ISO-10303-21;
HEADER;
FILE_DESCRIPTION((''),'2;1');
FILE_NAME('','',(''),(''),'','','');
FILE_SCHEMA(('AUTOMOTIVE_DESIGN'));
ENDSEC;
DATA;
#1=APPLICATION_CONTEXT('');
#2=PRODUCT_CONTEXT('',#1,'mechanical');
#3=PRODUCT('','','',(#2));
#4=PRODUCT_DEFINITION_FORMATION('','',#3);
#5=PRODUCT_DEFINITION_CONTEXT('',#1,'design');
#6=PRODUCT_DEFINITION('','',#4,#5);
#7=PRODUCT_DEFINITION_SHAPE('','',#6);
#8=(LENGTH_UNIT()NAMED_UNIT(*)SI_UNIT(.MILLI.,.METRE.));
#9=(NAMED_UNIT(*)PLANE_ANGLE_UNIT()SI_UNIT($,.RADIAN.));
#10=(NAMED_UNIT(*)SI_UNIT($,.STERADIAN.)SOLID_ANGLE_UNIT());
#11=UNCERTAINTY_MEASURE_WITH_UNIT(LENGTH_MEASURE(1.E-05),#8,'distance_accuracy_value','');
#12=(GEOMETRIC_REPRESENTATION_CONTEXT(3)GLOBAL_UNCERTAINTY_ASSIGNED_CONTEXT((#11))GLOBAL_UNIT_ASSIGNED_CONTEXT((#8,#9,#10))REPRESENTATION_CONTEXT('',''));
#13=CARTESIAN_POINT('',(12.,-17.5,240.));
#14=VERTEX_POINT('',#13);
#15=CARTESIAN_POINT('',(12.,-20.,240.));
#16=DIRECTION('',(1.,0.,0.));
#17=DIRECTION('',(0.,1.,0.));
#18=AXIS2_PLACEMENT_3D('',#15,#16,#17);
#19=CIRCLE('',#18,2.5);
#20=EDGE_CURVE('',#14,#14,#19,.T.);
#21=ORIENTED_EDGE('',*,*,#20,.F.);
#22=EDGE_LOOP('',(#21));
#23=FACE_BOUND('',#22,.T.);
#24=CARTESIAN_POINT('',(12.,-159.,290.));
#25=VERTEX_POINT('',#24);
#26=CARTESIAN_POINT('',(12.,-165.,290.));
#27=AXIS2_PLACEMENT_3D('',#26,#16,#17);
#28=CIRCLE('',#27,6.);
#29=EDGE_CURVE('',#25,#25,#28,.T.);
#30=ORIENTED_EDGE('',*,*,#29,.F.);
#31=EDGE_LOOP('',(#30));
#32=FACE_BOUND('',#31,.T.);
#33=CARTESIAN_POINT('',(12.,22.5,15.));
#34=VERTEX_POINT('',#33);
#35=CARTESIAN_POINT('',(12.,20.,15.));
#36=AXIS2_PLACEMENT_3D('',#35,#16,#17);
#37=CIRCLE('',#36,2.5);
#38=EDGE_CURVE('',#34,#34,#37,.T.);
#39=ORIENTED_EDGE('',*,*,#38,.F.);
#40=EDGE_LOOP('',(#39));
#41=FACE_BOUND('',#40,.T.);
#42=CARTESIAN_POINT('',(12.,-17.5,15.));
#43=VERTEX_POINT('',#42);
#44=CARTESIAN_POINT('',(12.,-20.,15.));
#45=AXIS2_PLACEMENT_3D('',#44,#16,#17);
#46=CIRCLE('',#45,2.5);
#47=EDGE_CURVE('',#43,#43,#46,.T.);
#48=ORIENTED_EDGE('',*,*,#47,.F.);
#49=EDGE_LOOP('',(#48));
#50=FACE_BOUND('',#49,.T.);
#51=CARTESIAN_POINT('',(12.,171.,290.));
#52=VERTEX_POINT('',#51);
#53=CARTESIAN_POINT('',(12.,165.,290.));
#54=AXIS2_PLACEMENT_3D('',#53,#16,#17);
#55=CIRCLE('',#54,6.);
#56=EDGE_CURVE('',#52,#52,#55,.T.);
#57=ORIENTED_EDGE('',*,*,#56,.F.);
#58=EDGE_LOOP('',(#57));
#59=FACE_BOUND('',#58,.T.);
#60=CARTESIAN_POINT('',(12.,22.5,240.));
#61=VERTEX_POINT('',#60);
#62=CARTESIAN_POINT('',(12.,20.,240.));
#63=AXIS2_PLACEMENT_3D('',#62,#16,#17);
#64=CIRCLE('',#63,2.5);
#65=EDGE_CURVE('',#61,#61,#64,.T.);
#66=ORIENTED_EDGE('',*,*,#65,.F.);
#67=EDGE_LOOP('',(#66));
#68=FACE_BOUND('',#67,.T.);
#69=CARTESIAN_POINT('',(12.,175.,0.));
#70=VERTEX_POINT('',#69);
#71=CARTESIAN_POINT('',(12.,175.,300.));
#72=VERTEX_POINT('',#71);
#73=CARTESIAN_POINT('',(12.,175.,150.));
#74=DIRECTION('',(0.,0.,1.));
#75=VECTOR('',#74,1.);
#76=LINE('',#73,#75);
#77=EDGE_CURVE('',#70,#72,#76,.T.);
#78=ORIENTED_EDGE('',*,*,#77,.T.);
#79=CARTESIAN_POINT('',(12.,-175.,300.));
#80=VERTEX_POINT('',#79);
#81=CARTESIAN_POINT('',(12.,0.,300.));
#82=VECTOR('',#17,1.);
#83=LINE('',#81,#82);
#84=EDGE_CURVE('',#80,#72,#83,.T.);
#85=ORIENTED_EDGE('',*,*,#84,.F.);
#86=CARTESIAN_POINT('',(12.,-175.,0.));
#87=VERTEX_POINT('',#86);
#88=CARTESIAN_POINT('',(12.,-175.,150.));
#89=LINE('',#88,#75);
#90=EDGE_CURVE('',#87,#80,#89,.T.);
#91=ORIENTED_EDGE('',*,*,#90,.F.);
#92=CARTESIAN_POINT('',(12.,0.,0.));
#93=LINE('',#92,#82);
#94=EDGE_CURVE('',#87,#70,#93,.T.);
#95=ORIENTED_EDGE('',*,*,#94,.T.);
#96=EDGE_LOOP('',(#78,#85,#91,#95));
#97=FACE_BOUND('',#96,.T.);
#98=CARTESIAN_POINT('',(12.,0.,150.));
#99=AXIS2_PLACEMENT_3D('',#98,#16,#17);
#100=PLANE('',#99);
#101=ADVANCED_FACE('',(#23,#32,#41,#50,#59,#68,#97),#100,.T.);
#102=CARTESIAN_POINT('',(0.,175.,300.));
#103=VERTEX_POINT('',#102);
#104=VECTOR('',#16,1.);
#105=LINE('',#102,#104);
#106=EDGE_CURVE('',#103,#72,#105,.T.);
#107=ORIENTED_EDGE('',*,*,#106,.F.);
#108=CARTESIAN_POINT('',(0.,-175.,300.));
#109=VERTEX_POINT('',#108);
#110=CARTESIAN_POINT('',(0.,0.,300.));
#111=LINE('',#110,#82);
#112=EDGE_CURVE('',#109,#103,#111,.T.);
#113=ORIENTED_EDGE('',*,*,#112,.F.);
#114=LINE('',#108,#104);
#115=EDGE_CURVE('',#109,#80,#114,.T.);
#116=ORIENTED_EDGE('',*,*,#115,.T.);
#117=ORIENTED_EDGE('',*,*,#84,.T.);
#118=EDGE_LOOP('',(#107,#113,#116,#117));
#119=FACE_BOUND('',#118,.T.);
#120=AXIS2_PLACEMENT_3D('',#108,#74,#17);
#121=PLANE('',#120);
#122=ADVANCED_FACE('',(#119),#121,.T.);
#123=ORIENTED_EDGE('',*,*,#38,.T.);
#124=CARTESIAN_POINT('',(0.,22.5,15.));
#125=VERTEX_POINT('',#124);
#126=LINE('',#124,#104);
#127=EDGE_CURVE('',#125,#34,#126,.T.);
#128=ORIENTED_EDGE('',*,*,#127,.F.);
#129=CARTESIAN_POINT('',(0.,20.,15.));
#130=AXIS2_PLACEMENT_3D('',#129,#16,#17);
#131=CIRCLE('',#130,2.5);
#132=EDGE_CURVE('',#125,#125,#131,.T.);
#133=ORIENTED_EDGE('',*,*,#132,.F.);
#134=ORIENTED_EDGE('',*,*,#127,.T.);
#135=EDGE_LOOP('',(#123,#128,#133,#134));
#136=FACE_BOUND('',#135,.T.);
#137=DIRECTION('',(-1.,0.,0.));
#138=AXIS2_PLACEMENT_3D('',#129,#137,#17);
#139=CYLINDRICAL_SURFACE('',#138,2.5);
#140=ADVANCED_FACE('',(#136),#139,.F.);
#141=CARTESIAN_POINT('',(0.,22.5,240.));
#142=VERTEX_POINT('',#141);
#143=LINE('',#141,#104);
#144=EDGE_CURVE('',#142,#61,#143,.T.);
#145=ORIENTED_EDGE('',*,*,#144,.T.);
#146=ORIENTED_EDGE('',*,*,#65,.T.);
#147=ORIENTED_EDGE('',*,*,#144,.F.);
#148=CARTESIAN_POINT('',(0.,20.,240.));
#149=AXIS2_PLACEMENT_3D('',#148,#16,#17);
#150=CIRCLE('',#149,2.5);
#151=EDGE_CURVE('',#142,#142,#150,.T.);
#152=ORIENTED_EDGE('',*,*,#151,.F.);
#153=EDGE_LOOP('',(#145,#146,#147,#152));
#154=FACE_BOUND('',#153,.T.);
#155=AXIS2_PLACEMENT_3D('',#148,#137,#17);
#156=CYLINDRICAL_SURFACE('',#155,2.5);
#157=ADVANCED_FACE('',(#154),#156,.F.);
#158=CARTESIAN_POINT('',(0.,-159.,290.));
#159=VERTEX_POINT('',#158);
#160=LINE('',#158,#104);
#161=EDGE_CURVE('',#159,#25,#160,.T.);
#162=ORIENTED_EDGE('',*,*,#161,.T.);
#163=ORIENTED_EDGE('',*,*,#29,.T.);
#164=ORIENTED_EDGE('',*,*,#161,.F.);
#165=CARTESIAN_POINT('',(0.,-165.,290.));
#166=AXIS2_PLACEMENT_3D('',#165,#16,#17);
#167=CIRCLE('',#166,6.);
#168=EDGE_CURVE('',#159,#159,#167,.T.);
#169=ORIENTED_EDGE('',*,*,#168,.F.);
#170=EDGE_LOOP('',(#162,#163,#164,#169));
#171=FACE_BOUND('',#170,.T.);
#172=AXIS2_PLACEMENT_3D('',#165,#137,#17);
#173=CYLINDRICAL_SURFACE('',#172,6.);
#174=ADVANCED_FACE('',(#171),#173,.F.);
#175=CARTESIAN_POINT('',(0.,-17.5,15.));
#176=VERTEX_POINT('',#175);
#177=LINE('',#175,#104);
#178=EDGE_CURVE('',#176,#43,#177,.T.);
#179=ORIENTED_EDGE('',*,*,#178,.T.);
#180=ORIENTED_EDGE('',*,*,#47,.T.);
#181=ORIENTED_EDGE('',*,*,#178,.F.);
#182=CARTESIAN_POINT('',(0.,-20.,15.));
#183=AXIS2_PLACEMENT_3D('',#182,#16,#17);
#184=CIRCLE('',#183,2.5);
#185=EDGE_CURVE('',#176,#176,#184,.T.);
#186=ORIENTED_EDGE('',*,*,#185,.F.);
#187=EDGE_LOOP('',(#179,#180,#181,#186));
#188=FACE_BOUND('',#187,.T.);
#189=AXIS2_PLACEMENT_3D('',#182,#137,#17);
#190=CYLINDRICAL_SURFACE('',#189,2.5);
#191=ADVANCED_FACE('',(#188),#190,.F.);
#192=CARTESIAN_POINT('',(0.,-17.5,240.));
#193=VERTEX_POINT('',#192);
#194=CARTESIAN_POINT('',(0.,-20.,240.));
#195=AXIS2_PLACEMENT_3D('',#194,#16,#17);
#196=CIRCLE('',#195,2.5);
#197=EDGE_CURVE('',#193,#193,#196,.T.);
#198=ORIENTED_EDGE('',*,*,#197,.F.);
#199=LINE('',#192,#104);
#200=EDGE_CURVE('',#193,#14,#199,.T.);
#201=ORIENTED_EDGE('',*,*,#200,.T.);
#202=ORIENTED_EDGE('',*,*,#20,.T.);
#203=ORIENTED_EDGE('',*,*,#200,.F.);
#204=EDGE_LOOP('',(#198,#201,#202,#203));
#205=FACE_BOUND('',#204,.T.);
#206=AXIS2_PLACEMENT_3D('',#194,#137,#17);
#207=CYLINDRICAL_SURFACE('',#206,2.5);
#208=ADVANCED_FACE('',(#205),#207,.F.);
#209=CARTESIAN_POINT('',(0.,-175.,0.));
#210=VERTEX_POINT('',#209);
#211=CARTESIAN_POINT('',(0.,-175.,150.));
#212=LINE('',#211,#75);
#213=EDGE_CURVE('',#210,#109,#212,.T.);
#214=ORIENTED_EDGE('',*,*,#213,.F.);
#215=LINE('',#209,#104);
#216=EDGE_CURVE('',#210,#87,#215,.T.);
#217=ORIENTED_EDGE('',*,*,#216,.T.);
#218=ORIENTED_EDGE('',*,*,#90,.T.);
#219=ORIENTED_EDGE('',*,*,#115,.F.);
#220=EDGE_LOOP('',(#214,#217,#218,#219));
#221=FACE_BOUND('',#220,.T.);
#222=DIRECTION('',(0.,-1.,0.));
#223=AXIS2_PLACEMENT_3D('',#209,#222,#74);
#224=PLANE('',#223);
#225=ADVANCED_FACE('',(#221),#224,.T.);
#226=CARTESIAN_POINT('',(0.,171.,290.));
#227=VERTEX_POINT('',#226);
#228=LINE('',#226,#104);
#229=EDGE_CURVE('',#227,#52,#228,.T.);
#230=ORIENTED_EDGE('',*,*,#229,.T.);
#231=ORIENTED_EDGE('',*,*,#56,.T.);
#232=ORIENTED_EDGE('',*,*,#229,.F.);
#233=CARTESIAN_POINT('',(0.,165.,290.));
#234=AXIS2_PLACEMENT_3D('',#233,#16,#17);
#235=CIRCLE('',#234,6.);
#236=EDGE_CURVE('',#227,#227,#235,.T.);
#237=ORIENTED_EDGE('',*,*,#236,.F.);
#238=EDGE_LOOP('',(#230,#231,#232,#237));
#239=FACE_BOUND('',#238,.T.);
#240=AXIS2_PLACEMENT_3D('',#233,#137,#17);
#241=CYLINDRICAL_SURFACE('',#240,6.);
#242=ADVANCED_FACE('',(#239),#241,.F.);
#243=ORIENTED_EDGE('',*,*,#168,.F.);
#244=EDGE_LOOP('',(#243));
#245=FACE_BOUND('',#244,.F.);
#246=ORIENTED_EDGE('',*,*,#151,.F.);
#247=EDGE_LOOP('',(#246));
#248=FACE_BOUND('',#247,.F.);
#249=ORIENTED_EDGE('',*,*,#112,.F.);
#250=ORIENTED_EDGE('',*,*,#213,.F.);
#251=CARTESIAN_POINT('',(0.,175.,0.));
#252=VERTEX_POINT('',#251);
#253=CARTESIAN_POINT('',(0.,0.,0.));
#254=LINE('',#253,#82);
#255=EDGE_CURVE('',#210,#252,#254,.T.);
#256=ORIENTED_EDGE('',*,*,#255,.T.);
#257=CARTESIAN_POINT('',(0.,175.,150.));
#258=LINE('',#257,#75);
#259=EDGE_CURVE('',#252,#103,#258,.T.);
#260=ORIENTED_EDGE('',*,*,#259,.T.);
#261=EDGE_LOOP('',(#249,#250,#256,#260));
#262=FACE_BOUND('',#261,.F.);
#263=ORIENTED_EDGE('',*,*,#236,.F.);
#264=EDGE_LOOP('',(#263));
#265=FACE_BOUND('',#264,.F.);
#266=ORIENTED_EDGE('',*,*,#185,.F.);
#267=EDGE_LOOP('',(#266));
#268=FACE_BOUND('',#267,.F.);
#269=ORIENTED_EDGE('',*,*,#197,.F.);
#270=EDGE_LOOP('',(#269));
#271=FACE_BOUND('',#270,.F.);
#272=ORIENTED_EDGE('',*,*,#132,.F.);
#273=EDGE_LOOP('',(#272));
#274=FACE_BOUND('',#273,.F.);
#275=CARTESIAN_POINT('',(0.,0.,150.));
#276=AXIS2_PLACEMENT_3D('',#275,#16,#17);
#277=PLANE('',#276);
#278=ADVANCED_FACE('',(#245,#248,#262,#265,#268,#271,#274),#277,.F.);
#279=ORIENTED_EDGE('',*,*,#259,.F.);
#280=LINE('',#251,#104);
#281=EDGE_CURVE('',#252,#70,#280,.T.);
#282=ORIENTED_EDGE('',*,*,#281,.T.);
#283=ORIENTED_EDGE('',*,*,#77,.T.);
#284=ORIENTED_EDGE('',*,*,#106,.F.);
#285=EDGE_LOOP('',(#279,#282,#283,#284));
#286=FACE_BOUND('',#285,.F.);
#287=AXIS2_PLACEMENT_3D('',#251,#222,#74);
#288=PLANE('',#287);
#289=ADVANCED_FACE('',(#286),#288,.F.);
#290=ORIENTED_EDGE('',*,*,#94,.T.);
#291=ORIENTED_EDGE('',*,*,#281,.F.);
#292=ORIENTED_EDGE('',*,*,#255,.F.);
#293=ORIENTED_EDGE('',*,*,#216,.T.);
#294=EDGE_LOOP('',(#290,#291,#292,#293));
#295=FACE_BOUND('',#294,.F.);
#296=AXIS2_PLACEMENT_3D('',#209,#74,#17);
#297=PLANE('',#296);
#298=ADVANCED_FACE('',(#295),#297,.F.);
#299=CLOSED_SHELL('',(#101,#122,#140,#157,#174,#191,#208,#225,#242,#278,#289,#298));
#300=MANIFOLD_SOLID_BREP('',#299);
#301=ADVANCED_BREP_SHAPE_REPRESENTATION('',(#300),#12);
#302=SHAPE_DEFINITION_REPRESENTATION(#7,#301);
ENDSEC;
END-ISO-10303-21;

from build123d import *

# Parameters (mm, degrees)
F0_W     = 350
F0_H     = 300
F0_R     = 2.5
F0_R_2   = 6
F1_DEPTH = 12


with BuildPart() as f1:
    # F0 (on Right) → F1 (new body)
    with BuildSketch(Plane.YZ):
        with Locations((0, 150)):
            Rectangle(F0_W, F0_H)
        with Locations((-20, 15)):
            Circle(F0_R, mode=Mode.SUBTRACT)
        with Locations((20, 15)):
            Circle(F0_R, mode=Mode.SUBTRACT)
        with Locations((-165, 290)):
            Circle(F0_R_2, mode=Mode.SUBTRACT)
        with Locations((-20, 240)):
            Circle(F0_R, mode=Mode.SUBTRACT)
        with Locations((20, 240)):
            Circle(F0_R, mode=Mode.SUBTRACT)
        with Locations((165, 290)):
            Circle(F0_R_2, mode=Mode.SUBTRACT)
    extrude(amount=F1_DEPTH)


solid = f1.part
